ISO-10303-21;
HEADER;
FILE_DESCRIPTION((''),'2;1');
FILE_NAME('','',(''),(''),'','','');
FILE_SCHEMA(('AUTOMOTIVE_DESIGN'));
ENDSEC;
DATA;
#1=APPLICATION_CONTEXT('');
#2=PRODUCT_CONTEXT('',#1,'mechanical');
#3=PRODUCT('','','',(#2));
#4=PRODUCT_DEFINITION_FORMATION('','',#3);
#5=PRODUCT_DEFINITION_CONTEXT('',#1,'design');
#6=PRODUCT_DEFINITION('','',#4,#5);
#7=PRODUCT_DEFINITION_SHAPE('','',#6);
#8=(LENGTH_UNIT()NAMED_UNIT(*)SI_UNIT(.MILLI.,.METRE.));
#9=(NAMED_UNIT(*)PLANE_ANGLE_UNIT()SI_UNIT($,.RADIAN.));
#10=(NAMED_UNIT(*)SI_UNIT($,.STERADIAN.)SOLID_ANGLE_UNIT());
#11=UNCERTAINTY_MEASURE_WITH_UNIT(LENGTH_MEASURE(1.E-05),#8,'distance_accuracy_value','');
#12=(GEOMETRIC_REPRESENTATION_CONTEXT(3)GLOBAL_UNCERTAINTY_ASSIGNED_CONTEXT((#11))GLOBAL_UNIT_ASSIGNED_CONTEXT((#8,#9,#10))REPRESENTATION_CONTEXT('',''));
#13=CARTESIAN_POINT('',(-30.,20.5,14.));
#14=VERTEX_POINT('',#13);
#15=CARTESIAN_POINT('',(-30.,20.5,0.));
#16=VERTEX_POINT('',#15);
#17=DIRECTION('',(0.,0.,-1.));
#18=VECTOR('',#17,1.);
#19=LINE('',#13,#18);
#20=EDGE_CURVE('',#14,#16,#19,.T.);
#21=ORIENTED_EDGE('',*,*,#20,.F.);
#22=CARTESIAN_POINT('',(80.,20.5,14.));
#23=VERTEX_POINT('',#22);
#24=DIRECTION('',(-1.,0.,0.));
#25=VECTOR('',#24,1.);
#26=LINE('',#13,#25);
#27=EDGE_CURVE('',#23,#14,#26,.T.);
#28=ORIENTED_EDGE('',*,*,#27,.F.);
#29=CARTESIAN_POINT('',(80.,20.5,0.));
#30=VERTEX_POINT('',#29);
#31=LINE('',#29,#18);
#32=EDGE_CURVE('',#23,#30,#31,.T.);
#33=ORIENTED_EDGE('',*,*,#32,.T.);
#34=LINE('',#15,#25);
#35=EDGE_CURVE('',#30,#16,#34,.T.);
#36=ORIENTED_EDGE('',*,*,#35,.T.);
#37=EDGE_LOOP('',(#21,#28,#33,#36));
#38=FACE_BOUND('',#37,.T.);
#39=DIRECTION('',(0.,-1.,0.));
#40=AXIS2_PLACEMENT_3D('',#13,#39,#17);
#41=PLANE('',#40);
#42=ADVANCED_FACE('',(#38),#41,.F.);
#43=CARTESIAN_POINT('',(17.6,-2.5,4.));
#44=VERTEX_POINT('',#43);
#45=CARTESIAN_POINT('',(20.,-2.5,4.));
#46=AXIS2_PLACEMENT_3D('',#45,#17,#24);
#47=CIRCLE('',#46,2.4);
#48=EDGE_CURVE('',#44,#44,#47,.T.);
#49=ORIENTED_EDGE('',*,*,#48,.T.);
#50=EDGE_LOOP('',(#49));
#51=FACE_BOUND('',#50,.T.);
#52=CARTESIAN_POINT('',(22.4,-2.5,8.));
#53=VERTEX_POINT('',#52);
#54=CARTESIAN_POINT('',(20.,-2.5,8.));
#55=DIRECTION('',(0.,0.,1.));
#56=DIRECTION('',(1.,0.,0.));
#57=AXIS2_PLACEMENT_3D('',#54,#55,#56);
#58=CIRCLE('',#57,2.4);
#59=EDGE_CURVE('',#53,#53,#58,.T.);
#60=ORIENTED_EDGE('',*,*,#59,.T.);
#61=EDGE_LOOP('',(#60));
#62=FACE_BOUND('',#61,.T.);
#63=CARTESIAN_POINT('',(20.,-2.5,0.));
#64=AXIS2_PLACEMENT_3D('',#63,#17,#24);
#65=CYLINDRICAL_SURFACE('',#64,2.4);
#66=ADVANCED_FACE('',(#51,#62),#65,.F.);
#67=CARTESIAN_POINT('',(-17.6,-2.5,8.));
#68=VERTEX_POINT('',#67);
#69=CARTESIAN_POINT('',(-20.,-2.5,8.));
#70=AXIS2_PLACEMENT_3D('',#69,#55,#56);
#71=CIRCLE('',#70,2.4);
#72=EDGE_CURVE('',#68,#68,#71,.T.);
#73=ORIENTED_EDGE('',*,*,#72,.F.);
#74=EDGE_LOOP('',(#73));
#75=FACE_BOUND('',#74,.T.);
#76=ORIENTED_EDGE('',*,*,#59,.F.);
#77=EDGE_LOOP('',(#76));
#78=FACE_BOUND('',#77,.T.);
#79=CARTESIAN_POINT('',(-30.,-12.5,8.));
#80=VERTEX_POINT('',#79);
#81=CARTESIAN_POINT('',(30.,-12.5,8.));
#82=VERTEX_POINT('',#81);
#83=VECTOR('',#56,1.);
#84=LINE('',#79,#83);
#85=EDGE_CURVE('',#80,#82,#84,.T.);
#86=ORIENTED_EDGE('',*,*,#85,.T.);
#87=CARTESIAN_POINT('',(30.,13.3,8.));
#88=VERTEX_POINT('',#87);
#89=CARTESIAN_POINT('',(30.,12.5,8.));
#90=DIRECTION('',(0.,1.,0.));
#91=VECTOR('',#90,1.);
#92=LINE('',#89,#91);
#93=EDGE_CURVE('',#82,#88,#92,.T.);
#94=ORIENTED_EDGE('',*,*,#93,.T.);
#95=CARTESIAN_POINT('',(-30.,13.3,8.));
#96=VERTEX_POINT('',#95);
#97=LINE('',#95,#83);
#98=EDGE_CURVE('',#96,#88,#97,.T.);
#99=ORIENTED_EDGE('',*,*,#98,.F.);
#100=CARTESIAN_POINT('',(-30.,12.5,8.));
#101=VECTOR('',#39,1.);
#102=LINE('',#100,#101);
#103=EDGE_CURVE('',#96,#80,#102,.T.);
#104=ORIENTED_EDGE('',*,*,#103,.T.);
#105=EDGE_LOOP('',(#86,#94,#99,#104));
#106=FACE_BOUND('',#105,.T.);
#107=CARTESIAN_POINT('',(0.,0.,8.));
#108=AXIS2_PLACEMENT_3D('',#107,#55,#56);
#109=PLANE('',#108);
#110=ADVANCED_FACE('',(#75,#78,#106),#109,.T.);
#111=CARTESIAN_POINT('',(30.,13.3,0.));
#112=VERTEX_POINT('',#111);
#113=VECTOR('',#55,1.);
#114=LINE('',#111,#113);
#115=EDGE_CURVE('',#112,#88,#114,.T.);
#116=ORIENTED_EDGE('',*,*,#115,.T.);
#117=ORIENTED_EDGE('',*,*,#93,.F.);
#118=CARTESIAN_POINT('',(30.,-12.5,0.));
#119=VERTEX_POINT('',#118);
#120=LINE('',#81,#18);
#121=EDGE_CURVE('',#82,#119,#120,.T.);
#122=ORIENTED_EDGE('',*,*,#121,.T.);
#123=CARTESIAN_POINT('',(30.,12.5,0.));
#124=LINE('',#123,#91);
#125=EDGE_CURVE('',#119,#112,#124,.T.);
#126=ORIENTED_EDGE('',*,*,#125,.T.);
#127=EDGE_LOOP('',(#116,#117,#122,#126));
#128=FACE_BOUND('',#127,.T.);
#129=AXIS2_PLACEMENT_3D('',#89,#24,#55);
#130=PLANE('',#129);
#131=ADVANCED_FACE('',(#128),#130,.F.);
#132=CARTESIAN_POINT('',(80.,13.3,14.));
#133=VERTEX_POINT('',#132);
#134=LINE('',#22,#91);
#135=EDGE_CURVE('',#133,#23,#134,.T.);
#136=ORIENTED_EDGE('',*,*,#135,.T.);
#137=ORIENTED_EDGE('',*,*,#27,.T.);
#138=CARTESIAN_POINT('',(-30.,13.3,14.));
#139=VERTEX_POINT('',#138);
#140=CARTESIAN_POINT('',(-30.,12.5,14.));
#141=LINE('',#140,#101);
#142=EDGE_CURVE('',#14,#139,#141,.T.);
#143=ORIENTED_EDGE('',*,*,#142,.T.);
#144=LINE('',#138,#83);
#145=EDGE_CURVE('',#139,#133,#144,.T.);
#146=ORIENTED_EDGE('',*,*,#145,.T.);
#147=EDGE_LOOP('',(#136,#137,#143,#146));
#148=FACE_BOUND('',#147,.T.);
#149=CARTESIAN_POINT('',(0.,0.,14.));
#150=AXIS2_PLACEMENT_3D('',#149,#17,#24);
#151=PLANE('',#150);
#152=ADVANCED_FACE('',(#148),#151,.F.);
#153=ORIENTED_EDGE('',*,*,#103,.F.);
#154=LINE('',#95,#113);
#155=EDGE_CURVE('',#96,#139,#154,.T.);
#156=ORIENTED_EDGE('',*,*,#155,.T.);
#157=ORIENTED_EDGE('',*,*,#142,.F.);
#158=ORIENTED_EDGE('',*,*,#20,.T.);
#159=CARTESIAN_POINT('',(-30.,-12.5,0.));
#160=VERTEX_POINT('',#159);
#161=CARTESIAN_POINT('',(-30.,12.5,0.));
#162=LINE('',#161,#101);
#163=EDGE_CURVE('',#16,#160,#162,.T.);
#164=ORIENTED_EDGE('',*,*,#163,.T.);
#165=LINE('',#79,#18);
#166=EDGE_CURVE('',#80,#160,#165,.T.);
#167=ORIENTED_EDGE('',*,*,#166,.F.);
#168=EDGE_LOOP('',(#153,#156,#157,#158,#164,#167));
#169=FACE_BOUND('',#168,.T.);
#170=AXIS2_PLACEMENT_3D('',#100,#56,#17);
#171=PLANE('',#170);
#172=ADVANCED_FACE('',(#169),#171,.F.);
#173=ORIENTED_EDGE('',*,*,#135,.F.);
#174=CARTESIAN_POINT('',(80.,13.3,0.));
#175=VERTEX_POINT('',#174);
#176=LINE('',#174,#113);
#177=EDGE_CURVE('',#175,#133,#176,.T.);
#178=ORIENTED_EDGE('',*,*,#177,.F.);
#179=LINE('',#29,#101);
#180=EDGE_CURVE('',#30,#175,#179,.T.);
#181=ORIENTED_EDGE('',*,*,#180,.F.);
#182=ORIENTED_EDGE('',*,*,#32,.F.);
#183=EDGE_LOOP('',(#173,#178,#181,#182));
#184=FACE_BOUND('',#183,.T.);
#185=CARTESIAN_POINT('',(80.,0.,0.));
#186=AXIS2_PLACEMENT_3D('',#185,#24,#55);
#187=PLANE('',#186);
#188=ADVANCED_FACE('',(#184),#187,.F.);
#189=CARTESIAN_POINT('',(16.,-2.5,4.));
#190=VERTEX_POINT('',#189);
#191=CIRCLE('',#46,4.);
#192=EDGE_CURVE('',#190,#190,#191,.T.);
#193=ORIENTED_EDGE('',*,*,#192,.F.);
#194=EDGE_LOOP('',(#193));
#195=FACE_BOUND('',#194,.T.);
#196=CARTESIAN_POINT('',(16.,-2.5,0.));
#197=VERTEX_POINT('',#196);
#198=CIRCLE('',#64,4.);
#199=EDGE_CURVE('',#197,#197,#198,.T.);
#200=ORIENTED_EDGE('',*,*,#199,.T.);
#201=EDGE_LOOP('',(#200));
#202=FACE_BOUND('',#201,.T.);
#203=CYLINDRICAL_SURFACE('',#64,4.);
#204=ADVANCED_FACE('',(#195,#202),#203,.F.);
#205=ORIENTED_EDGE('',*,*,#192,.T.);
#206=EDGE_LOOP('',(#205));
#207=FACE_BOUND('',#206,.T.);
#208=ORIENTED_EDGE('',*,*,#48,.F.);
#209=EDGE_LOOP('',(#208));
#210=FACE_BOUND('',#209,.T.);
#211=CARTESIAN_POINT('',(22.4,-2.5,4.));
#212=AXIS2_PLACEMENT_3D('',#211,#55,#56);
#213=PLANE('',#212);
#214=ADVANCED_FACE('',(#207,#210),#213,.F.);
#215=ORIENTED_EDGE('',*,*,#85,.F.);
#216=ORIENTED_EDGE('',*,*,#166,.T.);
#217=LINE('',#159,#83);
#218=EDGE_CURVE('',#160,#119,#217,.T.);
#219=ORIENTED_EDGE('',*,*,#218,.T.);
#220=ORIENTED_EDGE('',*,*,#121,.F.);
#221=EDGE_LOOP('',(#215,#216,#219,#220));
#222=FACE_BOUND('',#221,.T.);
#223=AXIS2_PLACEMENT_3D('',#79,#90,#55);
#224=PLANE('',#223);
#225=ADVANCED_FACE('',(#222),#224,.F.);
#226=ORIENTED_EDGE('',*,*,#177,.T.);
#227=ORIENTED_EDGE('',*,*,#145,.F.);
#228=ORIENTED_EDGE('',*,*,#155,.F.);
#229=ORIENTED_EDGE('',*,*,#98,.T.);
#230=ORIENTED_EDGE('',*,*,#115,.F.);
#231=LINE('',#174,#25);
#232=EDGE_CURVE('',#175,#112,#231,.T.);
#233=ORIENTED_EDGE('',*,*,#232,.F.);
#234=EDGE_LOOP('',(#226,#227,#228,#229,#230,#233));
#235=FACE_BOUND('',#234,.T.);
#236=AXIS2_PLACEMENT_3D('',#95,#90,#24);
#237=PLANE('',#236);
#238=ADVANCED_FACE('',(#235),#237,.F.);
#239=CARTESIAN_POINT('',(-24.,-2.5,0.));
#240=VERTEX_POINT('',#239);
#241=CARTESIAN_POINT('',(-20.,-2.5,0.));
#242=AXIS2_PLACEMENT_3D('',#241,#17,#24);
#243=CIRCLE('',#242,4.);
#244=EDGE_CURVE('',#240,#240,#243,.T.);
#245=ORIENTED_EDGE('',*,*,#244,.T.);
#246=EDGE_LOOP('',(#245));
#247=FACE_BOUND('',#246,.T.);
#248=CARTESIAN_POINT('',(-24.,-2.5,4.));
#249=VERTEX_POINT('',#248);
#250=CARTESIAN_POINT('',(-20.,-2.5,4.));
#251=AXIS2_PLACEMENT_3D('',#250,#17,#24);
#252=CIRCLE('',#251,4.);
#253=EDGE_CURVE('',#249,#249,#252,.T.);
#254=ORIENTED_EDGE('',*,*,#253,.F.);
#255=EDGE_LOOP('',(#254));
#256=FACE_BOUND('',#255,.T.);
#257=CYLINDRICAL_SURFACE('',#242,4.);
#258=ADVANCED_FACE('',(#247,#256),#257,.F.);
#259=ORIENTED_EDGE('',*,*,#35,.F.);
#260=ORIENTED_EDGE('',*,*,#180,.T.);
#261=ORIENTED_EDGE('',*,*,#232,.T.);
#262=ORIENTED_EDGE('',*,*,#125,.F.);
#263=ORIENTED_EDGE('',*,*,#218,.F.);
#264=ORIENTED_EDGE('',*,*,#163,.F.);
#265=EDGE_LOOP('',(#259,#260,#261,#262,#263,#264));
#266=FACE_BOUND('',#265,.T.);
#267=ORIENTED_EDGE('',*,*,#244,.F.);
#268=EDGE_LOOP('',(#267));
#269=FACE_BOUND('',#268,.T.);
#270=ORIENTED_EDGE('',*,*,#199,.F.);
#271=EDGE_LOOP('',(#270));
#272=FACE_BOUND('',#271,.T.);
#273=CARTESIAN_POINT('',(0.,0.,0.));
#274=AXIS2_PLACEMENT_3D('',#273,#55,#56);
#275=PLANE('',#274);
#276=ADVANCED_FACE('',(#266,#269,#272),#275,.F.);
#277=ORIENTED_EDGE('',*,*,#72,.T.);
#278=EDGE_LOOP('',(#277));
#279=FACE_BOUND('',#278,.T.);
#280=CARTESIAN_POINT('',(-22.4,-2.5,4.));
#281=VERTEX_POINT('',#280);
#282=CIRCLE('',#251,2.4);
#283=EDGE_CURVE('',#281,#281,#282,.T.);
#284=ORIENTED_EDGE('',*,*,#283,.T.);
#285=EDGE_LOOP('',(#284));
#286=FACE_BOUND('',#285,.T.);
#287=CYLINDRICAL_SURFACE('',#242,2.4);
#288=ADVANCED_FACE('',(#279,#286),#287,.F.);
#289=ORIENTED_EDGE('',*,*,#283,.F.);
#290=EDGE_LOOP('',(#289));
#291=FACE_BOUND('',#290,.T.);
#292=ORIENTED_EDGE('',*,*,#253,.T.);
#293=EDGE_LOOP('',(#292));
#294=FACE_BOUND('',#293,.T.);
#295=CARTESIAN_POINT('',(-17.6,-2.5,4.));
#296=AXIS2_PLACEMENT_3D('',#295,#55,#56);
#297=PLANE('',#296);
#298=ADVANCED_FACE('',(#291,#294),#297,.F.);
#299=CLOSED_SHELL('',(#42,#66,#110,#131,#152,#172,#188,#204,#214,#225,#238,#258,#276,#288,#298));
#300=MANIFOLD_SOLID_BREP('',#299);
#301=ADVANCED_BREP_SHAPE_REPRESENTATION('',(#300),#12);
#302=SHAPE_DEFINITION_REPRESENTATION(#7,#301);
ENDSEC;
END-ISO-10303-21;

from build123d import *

# Parameters (mm, degrees)
SKETCH_1_W                   = 60
SKETCH_1_H                   = 25
EXTRUDE_1_DEPTH              = 8
EXTRUDE_2_DEPTH              = 6
EXTRUDE_2_DEPTH_BACK         = 8
SKETCH_2_W                   = 60
SKETCH_2_H                   = 8
CUT_EXTRUDE_1_DEPTH          = 65.932657423
CUT_EXTRUDE_1_DEPTH_BACK     = 65.932657423
SKETCH_3_W                   = 6
SKETCH_3_H                   = 0.8
HOLE_WIZARD_M4_1_D           = 4.8
HOLE_WIZARD_M4_1_DEPTH       = 10.1
HOLE_WIZARD_M4_1_CBORE_D     = 8
HOLE_WIZARD_M4_1_CBORE_DEPTH = 4
HOLE_WIZARD_M4_1_TIP         = 1.442065486
SKETCH_7_W                   = 14
SKETCH_7_H                   = 7.2
EXTRUDE_3_DEPTH              = 50


with BuildPart() as part:
    # 스케치1 → 보스-돌출1 (new body)
    with BuildSketch(Plane.XY):
        Rectangle(SKETCH_1_W, SKETCH_1_H)
    extrude(amount=EXTRUDE_1_DEPTH)

    # 스케치2 → 보스-돌출2 (add, two sides: drawn at the far end of the back side and taken through both)
    with BuildSketch(Plane.XY.offset(8).offset(-EXTRUDE_2_DEPTH_BACK)):
        with Locations((0, 16.5)):
            Rectangle(SKETCH_2_W, SKETCH_2_H)
    extrude(amount=EXTRUDE_2_DEPTH + EXTRUDE_2_DEPTH_BACK)

    # 스케치3 → 컷-돌출1 (cut, two sides: drawn at the far end of the back side and taken through both)
    with BuildSketch(Plane(origin=(30, 0, 0), x_dir=(0, 0, -1), z_dir=(1, 0, 0)).offset(-CUT_EXTRUDE_1_DEPTH_BACK)):
        with Locations((-11, 12.9)):
            Rectangle(SKETCH_3_W, SKETCH_3_H)
    extrude(amount=CUT_EXTRUDE_1_DEPTH + CUT_EXTRUDE_1_DEPTH_BACK, mode=Mode.SUBTRACT)

    # M4 소켓 머리 캡 나사용 카운터보어1
    with Locations(Plane(origin=(0, 0, 0), x_dir=(-1, 0, 0), z_dir=(0, 0, -1))):
        with Locations((-20, -2.5), (20, -2.5)):
            CounterBoreHole(HOLE_WIZARD_M4_1_D / 2, HOLE_WIZARD_M4_1_CBORE_D / 2, HOLE_WIZARD_M4_1_CBORE_DEPTH, depth=HOLE_WIZARD_M4_1_DEPTH)
            with Locations((0, 0, -(HOLE_WIZARD_M4_1_DEPTH + HOLE_WIZARD_M4_1_TIP / 2))):  # 118° drill point
                Cone(0, HOLE_WIZARD_M4_1_D / 2, HOLE_WIZARD_M4_1_TIP, mode=Mode.SUBTRACT)

    # 스케치7 → 보스-돌출3 (add)
    with BuildSketch(Plane.ZY.offset(-30)):
        with Locations((7, 16.9)):
            Rectangle(SKETCH_7_W, SKETCH_7_H)
    extrude(amount=-EXTRUDE_3_DEPTH)


solid = part.part
